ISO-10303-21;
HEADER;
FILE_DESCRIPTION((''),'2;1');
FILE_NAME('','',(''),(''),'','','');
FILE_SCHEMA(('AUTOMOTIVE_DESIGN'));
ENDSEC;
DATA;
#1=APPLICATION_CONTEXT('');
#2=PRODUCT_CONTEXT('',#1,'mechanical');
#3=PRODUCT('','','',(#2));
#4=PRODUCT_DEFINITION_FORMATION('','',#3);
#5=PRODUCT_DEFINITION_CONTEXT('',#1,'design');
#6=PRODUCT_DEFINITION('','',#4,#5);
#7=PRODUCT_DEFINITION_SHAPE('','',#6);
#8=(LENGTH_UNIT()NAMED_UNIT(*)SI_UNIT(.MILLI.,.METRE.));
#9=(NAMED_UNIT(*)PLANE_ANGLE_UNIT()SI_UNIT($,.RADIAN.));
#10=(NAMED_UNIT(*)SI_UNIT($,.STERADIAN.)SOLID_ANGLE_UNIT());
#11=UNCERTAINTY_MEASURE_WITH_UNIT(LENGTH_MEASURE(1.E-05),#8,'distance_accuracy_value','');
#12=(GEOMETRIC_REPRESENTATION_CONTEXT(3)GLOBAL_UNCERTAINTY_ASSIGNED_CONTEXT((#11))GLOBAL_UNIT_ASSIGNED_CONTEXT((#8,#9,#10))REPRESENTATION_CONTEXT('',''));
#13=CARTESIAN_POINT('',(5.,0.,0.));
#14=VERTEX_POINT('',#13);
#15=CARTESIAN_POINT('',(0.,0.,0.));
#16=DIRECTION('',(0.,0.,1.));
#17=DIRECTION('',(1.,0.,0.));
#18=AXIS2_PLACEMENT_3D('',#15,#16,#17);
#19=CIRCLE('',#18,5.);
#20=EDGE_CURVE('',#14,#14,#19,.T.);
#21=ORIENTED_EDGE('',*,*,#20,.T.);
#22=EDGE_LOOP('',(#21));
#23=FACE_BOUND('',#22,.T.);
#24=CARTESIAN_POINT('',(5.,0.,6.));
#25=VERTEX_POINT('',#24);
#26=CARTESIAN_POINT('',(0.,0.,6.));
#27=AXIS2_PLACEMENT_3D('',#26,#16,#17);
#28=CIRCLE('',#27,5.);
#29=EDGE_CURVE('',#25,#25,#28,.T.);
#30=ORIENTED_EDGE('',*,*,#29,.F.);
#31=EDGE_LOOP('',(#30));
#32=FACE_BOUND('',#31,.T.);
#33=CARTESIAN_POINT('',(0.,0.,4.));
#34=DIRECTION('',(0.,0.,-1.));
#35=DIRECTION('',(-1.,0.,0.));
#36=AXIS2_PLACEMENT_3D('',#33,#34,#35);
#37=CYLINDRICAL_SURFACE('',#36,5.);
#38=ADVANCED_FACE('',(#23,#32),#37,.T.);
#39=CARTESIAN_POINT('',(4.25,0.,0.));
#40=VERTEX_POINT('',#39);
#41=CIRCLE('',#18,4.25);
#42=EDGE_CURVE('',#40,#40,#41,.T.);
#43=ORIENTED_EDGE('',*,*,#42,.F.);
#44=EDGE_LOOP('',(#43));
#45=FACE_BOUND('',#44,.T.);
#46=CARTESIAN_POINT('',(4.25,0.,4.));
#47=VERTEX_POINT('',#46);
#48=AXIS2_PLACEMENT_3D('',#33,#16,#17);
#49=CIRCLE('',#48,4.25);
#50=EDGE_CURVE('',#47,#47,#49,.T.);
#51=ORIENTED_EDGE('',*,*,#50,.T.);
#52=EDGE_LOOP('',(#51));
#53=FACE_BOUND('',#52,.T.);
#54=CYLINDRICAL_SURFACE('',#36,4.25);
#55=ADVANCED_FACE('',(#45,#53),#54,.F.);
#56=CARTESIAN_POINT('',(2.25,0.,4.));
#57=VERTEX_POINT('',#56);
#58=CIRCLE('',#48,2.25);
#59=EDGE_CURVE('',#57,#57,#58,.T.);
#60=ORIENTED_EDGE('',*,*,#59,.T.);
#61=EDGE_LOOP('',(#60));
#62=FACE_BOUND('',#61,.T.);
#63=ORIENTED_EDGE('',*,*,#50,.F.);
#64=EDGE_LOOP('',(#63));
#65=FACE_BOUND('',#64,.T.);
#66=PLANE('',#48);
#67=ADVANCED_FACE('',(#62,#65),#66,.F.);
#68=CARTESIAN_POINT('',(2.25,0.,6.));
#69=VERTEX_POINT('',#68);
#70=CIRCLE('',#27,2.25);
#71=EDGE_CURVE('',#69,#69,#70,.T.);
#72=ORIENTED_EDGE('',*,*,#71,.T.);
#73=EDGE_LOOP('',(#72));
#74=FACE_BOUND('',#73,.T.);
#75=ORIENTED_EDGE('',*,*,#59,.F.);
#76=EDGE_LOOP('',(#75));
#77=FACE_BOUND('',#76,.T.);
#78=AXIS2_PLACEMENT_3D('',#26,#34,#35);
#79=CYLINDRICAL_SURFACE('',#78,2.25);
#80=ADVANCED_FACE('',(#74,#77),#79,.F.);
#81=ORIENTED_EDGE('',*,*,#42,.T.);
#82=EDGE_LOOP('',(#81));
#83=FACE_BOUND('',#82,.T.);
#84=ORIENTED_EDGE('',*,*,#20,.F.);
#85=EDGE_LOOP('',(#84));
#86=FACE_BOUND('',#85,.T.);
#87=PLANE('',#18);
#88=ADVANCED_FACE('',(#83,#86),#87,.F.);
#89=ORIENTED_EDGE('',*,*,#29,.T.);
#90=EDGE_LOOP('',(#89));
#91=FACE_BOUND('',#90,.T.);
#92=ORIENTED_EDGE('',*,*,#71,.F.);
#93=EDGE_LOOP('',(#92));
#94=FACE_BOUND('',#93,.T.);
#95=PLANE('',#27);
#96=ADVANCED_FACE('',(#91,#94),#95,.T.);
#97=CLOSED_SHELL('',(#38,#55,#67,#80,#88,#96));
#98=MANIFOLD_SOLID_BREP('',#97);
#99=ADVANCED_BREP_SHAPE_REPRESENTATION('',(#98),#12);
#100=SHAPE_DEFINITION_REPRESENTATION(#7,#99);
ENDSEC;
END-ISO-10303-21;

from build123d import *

# Parameters (mm, degrees)
CROQUIS1_R              = 5
CROQUIS1_R_2            = 4.25
SALIENTE_EXTRUIR1_DEPTH = 4
CROQUIS2_R              = 5
CROQUIS2_R_2            = 2.25
SALIENTE_EXTRUIR2_DEPTH = 2


with BuildPart() as part:
    # Croquis1 → Saliente-Extruir1 (new body)
    with BuildSketch(Plane.XY):
        Circle(CROQUIS1_R)
        Circle(CROQUIS1_R_2, mode=Mode.SUBTRACT)
    extrude(amount=SALIENTE_EXTRUIR1_DEPTH)

    # Croquis2 → Saliente-Extruir2 (add)
    with BuildSketch(Plane.XY.offset(4)):
        Circle(CROQUIS2_R)
        Circle(CROQUIS2_R_2, mode=Mode.SUBTRACT)
    extrude(amount=SALIENTE_EXTRUIR2_DEPTH)


solid = part.part
